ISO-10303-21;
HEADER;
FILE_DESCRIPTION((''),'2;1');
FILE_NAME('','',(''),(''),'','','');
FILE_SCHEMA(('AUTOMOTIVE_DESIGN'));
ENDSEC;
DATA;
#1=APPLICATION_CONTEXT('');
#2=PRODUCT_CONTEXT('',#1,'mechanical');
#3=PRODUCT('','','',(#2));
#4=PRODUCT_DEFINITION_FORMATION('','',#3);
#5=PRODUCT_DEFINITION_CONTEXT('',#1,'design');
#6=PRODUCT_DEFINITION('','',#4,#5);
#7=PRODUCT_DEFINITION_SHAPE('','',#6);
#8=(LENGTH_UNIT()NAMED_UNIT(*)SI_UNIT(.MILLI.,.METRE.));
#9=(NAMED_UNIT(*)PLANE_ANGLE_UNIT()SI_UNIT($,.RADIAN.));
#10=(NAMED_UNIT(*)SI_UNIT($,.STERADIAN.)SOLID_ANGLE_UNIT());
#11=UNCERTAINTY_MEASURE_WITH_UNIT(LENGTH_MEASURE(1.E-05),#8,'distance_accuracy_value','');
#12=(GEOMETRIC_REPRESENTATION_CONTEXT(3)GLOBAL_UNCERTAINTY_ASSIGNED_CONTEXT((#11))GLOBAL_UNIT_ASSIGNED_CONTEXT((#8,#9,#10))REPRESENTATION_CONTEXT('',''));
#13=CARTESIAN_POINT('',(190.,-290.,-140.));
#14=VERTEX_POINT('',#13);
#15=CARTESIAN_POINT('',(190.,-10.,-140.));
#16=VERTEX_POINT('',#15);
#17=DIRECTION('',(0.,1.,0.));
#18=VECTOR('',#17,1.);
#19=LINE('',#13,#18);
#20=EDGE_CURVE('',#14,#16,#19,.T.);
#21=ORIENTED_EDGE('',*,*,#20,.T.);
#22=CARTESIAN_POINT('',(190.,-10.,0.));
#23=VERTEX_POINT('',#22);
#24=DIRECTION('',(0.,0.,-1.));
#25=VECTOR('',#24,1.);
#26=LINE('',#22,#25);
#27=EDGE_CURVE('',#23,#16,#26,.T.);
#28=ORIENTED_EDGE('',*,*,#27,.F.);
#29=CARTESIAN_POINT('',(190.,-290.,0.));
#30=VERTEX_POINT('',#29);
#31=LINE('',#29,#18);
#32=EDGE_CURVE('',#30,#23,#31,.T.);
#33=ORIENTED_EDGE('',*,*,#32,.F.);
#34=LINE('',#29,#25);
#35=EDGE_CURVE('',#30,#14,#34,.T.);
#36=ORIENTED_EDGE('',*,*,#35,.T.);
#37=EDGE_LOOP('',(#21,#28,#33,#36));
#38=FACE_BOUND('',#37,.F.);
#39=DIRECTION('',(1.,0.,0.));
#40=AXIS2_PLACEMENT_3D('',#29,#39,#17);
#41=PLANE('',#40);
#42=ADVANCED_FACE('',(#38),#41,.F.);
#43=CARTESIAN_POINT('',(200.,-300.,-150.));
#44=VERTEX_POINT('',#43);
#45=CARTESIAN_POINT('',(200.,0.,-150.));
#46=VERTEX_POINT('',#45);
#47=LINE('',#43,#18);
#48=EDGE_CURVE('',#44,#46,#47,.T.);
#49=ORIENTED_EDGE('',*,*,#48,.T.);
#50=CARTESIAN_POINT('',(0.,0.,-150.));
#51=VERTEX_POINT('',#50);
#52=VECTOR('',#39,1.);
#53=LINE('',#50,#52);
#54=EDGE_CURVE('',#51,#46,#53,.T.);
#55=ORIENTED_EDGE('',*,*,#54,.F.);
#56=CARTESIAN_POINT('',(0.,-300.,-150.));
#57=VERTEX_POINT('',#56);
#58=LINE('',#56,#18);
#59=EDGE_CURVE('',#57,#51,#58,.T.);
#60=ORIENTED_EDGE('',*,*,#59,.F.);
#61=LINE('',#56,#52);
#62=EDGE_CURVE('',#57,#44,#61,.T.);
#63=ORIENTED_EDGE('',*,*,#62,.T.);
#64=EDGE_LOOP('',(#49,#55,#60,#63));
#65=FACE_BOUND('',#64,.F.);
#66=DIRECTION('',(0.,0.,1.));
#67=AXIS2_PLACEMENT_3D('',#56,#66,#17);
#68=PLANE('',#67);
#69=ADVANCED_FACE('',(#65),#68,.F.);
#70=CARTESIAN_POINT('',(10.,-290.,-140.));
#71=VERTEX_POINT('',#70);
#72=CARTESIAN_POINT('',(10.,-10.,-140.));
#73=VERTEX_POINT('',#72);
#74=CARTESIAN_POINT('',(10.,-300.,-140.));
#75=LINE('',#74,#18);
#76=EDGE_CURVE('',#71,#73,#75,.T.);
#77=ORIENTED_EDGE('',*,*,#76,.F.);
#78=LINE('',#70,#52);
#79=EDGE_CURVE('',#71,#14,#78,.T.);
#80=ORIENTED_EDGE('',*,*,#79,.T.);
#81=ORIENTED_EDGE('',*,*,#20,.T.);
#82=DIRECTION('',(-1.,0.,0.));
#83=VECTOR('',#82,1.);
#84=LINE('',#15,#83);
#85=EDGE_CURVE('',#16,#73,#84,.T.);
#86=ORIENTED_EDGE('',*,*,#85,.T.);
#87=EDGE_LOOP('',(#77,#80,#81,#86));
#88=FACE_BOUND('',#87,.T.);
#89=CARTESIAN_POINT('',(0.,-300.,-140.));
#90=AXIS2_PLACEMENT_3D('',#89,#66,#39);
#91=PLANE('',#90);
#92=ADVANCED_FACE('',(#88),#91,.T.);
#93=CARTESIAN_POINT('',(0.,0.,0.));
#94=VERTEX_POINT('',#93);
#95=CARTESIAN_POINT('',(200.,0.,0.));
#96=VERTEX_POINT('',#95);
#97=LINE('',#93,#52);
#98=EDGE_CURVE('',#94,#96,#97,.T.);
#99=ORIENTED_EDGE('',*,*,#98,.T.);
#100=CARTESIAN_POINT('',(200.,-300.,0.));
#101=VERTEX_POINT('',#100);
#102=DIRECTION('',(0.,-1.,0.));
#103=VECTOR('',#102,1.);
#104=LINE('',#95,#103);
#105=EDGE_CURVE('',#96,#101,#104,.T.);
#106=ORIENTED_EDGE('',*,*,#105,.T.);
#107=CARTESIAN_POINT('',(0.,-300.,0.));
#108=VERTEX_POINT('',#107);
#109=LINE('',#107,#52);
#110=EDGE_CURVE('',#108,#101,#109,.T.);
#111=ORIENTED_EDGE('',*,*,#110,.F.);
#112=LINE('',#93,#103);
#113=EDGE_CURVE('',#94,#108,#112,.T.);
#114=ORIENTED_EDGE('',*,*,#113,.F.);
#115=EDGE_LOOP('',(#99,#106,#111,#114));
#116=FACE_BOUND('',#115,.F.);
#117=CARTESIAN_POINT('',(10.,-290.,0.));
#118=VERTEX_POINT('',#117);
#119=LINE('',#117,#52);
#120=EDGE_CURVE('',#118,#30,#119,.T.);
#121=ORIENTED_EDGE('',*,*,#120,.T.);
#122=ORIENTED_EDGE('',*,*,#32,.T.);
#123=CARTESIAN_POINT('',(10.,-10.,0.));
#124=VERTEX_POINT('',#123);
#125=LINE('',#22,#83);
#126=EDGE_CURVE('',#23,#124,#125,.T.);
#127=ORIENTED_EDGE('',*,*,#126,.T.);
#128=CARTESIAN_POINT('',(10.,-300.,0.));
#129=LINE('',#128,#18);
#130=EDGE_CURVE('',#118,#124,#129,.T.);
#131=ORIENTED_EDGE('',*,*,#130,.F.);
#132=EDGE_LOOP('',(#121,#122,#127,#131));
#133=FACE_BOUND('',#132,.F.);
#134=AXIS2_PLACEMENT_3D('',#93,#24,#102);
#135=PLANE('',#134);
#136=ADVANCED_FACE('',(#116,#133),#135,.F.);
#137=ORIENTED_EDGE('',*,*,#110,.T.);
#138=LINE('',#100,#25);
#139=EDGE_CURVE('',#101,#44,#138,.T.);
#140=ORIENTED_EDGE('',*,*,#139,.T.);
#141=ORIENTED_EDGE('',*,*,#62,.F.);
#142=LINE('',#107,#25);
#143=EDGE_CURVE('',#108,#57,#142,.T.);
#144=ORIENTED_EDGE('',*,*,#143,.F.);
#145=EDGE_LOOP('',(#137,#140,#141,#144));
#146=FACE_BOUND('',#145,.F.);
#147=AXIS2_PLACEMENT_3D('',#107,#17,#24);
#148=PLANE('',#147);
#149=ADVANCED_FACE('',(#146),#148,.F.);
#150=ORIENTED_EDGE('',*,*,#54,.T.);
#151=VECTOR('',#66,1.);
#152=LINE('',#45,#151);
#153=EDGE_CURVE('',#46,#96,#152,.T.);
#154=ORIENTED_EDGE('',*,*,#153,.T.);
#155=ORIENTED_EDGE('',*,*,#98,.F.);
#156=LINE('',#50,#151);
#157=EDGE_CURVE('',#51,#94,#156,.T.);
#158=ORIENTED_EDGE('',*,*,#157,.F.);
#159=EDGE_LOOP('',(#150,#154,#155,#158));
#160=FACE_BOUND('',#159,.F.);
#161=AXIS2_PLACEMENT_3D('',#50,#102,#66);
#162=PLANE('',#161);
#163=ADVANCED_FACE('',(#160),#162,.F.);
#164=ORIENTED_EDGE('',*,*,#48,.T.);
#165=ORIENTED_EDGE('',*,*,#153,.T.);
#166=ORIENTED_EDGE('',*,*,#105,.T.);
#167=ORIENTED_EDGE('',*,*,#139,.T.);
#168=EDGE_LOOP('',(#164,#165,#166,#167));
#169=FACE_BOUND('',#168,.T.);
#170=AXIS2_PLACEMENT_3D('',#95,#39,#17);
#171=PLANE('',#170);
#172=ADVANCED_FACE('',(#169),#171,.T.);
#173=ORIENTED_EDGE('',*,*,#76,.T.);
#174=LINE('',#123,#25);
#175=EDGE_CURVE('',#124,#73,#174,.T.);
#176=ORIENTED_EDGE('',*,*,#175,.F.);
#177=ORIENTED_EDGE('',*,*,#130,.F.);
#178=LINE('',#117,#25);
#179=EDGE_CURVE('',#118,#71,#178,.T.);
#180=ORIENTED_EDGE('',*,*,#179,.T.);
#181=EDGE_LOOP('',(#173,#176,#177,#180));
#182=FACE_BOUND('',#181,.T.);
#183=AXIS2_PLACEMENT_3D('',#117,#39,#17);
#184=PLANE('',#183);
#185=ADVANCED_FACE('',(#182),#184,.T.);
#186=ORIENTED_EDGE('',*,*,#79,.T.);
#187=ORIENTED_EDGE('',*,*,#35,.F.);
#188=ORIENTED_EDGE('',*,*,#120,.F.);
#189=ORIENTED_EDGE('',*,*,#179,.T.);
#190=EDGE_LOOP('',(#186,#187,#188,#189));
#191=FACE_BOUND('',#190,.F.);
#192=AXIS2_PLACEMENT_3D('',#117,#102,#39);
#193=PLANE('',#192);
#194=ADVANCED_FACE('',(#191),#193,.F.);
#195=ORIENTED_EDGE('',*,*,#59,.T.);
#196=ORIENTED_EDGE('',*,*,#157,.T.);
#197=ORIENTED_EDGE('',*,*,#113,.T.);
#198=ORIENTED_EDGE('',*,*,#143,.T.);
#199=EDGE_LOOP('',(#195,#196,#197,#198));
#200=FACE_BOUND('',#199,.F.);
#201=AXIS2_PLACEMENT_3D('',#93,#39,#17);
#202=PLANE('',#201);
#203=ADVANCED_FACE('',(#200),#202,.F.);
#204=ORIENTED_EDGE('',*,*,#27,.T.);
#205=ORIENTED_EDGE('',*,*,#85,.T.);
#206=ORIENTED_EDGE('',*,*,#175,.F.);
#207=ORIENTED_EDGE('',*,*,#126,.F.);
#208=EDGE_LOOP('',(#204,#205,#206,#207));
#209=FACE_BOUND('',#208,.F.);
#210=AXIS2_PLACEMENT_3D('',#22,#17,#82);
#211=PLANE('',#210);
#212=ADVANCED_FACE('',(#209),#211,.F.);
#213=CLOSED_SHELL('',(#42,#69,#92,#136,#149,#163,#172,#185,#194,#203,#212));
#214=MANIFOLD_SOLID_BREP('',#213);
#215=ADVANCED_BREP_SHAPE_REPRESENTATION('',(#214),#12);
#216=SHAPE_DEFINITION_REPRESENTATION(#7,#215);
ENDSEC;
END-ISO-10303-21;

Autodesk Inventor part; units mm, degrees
ref_plane "YZ Plane" through (0, 0, 0) normal (1, 0, 0) x (0, 1, 0)
ref_plane "XZ Plane" through (0, 0, 0) normal (0, 1, 0) x (-1, 0, 0)
sketch "Sketch1" plane through (0, 0, 0) normal (1, 0, 0) x (0, 1, 0)
  line L0 (0, 0) -> (-300, 0)
  line L1 (-300, 0) -> (-300, -150)
  line L2 (-300, -150) -> (0, -150)
  line L3 (0, -150) -> (0, 0)
  dimension "d0" = 300
  dimension "d1" = 150
extrude "Extrusion1" add sketch "Sketch1" along normal blind 200
sketch "Sketch2" plane through (0, 0, 0) normal (-1, 0, 0) x (0, 0, 1)
  point P0 (0, 0)
sketch "Sketch3" plane through (0, -300, 0) normal (0, 0, 1) x (1, 0, 0)
  point P0 (0, 300)
sketch "Sketch4" plane through (0, -300, 0) normal (0, 0, 1) x (1, 0, 0)
  point P0 (0, 300)
sketch "Sketch5" plane through (0, -300, 0) normal (0, 0, 1) x (1, 0, 0)
  line L0 (0, 0) -> (200, 0) projected
  line L1 (0, 0) -> (190, 0)
  line L2 (190, 10) -> (190, 290)
  line L3 (190, 290) -> (0, 290)
  line L4 (0, 10) -> (0, 0)
  line L5 (-111.4723, 0) -> (-111.4723, 10)
  line L6 (10, 10) -> (190, 10)
  line L7 (0, -40.6594) -> (10, -40.6594)
  line L8 (10, 0) -> (10, 290)
  point P0 (0, 300)
  dimension "d4" = 190
  dimension "d5" = 290
  dimension "d6" = 10
  dimension "d7" = 10
extrude "Extrusion2" cut sketch "Sketch5" against normal blind 140
ref_plane "Work Plane1" through (0, -300, -150) normal (0, 0, -1) x (-1, 0, 0)
sketch "Sketch6" plane through (0, -300, -150) normal (0, 0, -1) x (-1, 0, 0)
  point P0 (0, 300)
sketch "Sketch7" plane through (0, -300, -150) normal (0, 0, -1) x (-1, 0, 0)
  line L0 (0, 340.13) -> (-50, 340.13)
  line L1 (-50, 340.13) -> (-50, -164.6167)
  line L2 (0, 300) -> (-200, 300) projected
  line L3 (0, 300) -> (0, 225)
  line L4 (0, 0) -> (0, 300) projected
  line L5 (-50, 225) -> (-50, 275)
  line L6 (-50, 275) -> (-70, 275)
  line L7 (-70, 275) -> (-70, 175)
  line L8 (-70, 175) -> (-30, 175)
  line L9 (-30, 175) -> (-30, 275)
  line L10 (-30, 275) -> (-50, 275)
  dimension "d14" = 50
  dimension "d15" = 75
  dimension "d16" = 50
  dimension "d17" = 20
  dimension "d18" = 100
  dimension "d19" = 40
  dimension "d20" = 100
  dimension "d21" = 20
extrude "Extrusion3" cut sketch "Sketch7" against normal blind 50
sketch "Sketch8" plane through (0, -300, -150) normal (0, 0, -1) x (-1, 0, 0)
  line L0 (0, 0) -> (0, 300) projected
  line L1 (0, 0) -> (0, 75)
  line L2 (-54.3985, -5.8801) -> (-4.3985, -5.8801)
  line L3 (0, 0) -> (-200, 0) projected
  line L4 (-100, 0) -> (-100, 75)
  line L5 (-54.3985, 75) -> (-34.3985, 75)
  line L6 (-34.3985, 75) -> (-34.3985, 25)
  line L7 (-34.3985, 25) -> (-74.3985, 25)
  line L8 (-74.3985, 25) -> (-74.3985, 125)
  line L9 (-74.3985, 125) -> (-34.3985, 125)
  line L10 (-34.3985, 125) -> (-34.3985, 75)
  line L11 (-10, 10) -> (-10, 290) projected
  line L12 (-200, 0) -> (-200, 300) projected
  line L13 (-200, 300) -> (-150, 300)
  line L14 (0, 300) -> (-200, 300) projected
  line L15 (-200, 300) -> (-200, 225)
  line L16 (-150, 225) -> (-170, 225)
  line L17 (-170, 225) -> (-170, 175)
  line L18 (-170, 175) -> (-130, 175)
  line L19 (-130, 175) -> (-130, 275)
  line L20 (-130, 275) -> (-170, 275)
  line L21 (-170, 275) -> (-170, 225)
  line L22 (-200, 0) -> (-200, 110.9429)
  line L23 (-200, 0) -> (-200, 75)
  line L24 (-200, 0) -> (-150, 0)
  line L25 (-150, 75) -> (-130, 75)
  line L26 (-130, 75) -> (-130, 25)
  line L27 (-130, 25) -> (-170, 25)
  line L28 (-170, 25) -> (-170, 125)
  line L29 (-170, 125) -> (-130, 125)
  line L30 (-130, 125) -> (-130, 75)
  dimension "d24" = 75
  dimension "d25" = 50
  dimension "d26" = 75
  dimension "d27" = 20
  dimension "d28" = 50
  dimension "d29" = 40
  dimension "d30" = 100
  dimension "d31" = 40
  dimension "d32" = 50
  dimension "d33" = 50
  dimension "d34" = 75
  dimension "d35" = 20
  dimension "d36" = 50
  dimension "d37" = 40
  dimension "d38" = 100
  dimension "d39" = 40
  dimension "d40" = 50
  dimension "d41" = 75
  dimension "d42" = 50
  dimension "d43" = 20
  dimension "d44" = 50
  dimension "d45" = 40
  dimension "d46" = 100
  dimension "d47" = 40
  dimension "d48" = 50
extrude "Extrusion4" cut sketch "Sketch8" against normal blind 50 contours L6 L7 L8 L9 L10 | L21 L20 L19 L18 L17 | L26 L27 L28 L29 L30
sketch "Sketch9" plane through (0, -300, -150) normal (0, 0, -1) x (-1, 0, 0)
  point P0 (0, 300)
sketch "Sketch14" plane through (0, -300, -150) normal (0, 0, -1) x (-1, 0, 0)
  line L0 (-30, 275) -> (-30, 175) projected
  line L1 (-70, 275) -> (-30, 275) projected
  line L2 (-30, 275) -> (-70, 275)
  line L3 (-70, 275) -> (-70, 175)
  line L4 (-30, 175) -> (-70, 175) projected
  line L5 (-70, 175) -> (-30, 175)
  line L6 (-30, 175) -> (-30, 275)
  line L7 (-130, 275) -> (-170, 275) projected
  line L8 (-130, 275) -> (-170, 275)
  line L9 (-170, 275) -> (-170, 175) projected
  line L10 (-170, 275) -> (-170, 175)
  line L11 (-130, 275) -> (-130, 175) projected
  line L12 (-170, 175) -> (-130, 175)
  line L13 (-130, 175) -> (-130, 275)
  line L14 (-34.3985, 25) -> (-34.3985, 125) projected
  line L15 (-74.3985, 25) -> (-74.3985, 125) projected
  line L16 (-34.3985, 125) -> (-74.3985, 125)
  line L17 (-74.3985, 125) -> (-74.3985, 25)
  line L18 (-34.3985, 25) -> (-74.3985, 25) projected
  line L19 (-74.3985, 25) -> (-34.3985, 25)
  line L20 (-34.3985, 25) -> (-34.3985, 125)
  line L21 (-130, 125) -> (-170, 125) projected
  line L22 (-130, 125) -> (-170, 125)
  line L23 (-130, 25) -> (-170, 25) projected
  line L24 (-170, 125) -> (-170, 25)
  line L25 (-170, 25) -> (-130, 25)
  line L26 (-130, 25) -> (-130, 125)
  point P0 (0, 300)
  dimension "d52" = 100
extrude "Extrusion5" add sketch "Sketch14" against normal blind 10
